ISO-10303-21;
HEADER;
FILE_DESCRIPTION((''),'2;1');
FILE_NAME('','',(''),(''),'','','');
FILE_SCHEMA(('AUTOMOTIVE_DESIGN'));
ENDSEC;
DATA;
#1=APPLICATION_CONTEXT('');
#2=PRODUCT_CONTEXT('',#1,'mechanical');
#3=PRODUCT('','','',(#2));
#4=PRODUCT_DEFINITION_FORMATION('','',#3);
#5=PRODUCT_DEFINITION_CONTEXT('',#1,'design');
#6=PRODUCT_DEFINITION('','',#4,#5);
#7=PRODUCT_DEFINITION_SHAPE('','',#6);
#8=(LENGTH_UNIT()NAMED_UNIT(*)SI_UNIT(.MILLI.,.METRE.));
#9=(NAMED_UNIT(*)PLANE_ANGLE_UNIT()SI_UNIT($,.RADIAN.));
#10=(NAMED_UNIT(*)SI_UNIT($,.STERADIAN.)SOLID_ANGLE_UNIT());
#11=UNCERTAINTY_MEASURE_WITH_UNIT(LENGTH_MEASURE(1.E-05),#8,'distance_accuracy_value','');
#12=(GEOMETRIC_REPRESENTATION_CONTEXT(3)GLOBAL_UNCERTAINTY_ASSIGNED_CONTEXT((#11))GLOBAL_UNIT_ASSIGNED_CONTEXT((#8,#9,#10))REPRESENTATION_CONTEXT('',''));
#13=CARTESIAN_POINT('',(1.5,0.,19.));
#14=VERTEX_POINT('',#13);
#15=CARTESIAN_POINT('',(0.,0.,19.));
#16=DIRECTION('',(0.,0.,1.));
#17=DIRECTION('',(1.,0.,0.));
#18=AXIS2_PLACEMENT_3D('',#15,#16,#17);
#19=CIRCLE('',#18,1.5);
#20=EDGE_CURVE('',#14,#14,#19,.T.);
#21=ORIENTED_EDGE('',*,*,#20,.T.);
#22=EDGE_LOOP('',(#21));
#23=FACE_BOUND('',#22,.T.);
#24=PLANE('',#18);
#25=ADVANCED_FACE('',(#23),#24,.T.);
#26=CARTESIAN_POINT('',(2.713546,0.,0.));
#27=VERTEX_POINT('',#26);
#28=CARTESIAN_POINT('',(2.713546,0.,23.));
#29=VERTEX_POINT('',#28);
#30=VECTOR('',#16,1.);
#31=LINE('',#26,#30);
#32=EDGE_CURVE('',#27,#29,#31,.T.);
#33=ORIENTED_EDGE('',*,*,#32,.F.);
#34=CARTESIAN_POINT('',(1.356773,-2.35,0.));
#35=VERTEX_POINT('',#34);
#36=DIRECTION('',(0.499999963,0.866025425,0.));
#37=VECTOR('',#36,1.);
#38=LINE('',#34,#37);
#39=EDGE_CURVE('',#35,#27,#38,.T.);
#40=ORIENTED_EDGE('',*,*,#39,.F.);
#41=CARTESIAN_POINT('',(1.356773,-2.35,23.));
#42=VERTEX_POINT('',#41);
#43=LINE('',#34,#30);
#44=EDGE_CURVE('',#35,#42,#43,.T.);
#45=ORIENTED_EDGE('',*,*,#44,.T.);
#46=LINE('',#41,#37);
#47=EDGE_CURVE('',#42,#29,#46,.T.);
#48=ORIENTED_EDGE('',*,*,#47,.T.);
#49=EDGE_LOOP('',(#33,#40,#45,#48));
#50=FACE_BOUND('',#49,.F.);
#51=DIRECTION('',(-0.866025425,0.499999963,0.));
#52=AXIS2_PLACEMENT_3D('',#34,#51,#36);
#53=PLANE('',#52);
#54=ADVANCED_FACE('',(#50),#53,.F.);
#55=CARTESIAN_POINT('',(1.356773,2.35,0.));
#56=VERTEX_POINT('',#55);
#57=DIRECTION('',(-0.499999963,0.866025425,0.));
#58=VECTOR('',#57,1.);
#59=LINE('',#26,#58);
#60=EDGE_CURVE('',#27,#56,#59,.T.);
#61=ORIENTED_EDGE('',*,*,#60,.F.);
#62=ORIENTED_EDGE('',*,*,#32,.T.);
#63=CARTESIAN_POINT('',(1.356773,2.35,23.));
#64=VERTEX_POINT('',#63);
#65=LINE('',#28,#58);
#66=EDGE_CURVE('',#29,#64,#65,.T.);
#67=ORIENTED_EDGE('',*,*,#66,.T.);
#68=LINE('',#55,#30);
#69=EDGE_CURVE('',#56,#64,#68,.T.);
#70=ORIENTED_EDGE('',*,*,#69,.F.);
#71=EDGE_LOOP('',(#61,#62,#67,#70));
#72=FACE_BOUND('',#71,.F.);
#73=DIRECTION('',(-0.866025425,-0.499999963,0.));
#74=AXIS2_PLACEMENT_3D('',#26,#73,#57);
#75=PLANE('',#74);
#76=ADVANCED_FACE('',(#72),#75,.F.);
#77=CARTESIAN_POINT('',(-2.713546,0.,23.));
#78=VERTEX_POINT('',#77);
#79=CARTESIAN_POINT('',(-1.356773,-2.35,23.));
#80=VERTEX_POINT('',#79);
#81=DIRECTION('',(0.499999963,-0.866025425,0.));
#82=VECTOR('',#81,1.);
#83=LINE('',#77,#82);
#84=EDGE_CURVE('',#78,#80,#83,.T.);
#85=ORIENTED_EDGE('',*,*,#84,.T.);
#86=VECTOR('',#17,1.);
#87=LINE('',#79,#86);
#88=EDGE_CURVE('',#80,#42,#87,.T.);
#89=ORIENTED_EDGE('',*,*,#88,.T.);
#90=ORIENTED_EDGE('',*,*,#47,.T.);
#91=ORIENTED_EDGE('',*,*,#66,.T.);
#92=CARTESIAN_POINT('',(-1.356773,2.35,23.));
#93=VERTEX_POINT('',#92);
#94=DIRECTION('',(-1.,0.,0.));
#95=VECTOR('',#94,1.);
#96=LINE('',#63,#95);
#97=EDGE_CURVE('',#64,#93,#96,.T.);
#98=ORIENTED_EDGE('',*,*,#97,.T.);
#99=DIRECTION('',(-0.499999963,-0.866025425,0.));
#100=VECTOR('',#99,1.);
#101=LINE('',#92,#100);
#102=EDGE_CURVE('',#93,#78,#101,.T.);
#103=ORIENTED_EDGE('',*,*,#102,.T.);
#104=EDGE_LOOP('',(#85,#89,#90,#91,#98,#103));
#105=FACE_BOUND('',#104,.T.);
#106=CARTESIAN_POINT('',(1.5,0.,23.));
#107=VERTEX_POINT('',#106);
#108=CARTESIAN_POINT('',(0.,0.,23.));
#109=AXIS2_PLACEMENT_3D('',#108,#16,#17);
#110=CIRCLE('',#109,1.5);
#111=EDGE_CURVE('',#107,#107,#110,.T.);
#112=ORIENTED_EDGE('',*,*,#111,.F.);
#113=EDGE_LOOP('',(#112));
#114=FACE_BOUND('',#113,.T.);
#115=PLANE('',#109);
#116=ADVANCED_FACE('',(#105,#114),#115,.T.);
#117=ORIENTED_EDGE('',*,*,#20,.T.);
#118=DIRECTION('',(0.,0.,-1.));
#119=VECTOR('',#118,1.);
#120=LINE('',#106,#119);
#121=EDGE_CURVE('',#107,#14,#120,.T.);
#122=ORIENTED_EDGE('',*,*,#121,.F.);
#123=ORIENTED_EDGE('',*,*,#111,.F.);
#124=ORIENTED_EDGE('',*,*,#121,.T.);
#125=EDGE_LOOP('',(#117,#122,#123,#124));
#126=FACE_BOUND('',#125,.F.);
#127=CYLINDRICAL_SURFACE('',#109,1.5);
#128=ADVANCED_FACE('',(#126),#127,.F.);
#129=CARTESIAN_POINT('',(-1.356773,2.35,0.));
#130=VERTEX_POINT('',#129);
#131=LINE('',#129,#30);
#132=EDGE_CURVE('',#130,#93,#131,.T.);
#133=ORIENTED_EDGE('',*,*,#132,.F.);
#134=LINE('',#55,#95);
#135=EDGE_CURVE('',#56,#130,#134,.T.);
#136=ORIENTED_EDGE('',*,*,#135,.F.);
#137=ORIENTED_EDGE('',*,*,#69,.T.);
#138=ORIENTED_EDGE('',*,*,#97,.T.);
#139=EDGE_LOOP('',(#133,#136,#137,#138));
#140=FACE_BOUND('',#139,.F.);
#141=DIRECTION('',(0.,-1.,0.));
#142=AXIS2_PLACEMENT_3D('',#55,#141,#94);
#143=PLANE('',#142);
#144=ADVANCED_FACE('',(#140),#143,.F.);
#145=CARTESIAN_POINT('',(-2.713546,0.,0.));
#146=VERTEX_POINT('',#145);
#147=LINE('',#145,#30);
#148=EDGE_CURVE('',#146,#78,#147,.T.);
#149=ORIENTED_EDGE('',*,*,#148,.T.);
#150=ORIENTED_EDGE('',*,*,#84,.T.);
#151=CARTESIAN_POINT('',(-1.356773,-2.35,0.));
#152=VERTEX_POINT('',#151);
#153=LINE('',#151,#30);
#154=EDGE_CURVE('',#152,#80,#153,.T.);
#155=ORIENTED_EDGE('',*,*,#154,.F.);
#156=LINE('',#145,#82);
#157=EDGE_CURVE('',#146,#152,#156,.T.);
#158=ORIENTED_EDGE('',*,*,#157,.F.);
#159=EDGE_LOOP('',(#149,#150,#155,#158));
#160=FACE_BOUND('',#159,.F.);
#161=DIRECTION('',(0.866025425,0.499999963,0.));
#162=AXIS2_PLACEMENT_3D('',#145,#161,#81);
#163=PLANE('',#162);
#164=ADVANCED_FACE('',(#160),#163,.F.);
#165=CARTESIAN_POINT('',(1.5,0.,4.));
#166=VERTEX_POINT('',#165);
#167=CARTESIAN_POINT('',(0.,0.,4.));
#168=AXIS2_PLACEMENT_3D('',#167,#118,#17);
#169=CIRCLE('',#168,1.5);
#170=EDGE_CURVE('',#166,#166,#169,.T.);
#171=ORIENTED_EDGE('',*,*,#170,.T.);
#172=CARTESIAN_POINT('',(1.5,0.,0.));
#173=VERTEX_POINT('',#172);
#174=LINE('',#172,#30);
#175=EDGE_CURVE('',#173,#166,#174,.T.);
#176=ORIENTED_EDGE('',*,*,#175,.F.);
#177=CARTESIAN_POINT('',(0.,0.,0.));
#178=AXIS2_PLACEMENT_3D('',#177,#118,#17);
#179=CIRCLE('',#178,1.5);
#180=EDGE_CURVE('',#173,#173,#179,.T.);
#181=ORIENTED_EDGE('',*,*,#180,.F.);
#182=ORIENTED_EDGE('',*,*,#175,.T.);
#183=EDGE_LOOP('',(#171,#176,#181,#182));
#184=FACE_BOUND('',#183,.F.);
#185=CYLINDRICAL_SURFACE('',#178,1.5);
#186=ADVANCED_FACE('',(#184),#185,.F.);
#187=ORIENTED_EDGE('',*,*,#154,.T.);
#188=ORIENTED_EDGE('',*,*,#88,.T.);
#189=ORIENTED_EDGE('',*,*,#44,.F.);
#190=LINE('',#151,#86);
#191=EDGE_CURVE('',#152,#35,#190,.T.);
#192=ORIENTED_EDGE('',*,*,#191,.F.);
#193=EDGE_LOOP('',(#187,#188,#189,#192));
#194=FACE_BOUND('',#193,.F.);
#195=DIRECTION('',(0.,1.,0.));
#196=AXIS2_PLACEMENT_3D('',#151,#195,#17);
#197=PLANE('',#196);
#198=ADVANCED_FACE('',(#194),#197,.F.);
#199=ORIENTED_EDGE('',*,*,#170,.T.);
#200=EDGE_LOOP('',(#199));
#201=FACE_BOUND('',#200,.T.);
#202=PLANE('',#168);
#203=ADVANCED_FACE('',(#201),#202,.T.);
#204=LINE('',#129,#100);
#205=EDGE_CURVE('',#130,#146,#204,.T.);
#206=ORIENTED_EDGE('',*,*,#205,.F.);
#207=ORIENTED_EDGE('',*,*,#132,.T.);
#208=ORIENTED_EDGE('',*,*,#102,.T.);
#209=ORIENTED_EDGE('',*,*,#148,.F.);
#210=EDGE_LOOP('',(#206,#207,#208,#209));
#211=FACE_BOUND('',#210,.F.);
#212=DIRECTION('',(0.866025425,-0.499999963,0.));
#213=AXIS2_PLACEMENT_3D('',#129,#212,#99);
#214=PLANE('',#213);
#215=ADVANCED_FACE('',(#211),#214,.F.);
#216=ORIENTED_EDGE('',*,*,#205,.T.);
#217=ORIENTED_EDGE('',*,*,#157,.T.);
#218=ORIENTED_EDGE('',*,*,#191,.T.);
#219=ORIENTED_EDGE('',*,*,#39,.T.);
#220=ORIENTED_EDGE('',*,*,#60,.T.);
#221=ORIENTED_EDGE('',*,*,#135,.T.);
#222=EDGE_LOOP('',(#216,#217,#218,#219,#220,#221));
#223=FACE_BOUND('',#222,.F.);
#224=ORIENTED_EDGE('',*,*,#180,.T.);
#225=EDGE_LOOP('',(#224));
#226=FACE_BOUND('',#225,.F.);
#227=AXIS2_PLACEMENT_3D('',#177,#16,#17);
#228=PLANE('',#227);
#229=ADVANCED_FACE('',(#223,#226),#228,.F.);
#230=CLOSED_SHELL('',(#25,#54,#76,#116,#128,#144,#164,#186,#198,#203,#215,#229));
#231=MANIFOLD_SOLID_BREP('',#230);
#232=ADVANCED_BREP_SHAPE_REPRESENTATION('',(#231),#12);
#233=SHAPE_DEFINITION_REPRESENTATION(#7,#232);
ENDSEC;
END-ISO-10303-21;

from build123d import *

# Parameters (mm, degrees)
F1_DEPTH = 23
F2_R     = 1.5
F3_DEPTH = 4
F4_R     = 1.5
F5_DEPTH = 4


with BuildPart() as f1:
    # F0 (on Top) → F1 (new body)
    with BuildSketch(Plane.XY):
        Polygon((-1.356773, -2.35), (1.356773, -2.35), (2.713546, 0), (1.356773, 2.35), (-1.356773, 2.35), (-2.713546, 0), align=None)
    extrude(amount=F1_DEPTH)

    # F2 (on face) → F3 (cut)
    with BuildSketch(Plane.XY.offset(23)):
        Circle(F2_R)
    extrude(amount=-F3_DEPTH, mode=Mode.SUBTRACT)

    # F4 (on face) → F5 (cut)
    with BuildSketch(Plane(origin=(0, 0, 0), x_dir=(1, 0, 0), z_dir=(0, 0, -1))):
        Circle(F4_R)
    extrude(amount=-F5_DEPTH, mode=Mode.SUBTRACT)


solid = f1.part
